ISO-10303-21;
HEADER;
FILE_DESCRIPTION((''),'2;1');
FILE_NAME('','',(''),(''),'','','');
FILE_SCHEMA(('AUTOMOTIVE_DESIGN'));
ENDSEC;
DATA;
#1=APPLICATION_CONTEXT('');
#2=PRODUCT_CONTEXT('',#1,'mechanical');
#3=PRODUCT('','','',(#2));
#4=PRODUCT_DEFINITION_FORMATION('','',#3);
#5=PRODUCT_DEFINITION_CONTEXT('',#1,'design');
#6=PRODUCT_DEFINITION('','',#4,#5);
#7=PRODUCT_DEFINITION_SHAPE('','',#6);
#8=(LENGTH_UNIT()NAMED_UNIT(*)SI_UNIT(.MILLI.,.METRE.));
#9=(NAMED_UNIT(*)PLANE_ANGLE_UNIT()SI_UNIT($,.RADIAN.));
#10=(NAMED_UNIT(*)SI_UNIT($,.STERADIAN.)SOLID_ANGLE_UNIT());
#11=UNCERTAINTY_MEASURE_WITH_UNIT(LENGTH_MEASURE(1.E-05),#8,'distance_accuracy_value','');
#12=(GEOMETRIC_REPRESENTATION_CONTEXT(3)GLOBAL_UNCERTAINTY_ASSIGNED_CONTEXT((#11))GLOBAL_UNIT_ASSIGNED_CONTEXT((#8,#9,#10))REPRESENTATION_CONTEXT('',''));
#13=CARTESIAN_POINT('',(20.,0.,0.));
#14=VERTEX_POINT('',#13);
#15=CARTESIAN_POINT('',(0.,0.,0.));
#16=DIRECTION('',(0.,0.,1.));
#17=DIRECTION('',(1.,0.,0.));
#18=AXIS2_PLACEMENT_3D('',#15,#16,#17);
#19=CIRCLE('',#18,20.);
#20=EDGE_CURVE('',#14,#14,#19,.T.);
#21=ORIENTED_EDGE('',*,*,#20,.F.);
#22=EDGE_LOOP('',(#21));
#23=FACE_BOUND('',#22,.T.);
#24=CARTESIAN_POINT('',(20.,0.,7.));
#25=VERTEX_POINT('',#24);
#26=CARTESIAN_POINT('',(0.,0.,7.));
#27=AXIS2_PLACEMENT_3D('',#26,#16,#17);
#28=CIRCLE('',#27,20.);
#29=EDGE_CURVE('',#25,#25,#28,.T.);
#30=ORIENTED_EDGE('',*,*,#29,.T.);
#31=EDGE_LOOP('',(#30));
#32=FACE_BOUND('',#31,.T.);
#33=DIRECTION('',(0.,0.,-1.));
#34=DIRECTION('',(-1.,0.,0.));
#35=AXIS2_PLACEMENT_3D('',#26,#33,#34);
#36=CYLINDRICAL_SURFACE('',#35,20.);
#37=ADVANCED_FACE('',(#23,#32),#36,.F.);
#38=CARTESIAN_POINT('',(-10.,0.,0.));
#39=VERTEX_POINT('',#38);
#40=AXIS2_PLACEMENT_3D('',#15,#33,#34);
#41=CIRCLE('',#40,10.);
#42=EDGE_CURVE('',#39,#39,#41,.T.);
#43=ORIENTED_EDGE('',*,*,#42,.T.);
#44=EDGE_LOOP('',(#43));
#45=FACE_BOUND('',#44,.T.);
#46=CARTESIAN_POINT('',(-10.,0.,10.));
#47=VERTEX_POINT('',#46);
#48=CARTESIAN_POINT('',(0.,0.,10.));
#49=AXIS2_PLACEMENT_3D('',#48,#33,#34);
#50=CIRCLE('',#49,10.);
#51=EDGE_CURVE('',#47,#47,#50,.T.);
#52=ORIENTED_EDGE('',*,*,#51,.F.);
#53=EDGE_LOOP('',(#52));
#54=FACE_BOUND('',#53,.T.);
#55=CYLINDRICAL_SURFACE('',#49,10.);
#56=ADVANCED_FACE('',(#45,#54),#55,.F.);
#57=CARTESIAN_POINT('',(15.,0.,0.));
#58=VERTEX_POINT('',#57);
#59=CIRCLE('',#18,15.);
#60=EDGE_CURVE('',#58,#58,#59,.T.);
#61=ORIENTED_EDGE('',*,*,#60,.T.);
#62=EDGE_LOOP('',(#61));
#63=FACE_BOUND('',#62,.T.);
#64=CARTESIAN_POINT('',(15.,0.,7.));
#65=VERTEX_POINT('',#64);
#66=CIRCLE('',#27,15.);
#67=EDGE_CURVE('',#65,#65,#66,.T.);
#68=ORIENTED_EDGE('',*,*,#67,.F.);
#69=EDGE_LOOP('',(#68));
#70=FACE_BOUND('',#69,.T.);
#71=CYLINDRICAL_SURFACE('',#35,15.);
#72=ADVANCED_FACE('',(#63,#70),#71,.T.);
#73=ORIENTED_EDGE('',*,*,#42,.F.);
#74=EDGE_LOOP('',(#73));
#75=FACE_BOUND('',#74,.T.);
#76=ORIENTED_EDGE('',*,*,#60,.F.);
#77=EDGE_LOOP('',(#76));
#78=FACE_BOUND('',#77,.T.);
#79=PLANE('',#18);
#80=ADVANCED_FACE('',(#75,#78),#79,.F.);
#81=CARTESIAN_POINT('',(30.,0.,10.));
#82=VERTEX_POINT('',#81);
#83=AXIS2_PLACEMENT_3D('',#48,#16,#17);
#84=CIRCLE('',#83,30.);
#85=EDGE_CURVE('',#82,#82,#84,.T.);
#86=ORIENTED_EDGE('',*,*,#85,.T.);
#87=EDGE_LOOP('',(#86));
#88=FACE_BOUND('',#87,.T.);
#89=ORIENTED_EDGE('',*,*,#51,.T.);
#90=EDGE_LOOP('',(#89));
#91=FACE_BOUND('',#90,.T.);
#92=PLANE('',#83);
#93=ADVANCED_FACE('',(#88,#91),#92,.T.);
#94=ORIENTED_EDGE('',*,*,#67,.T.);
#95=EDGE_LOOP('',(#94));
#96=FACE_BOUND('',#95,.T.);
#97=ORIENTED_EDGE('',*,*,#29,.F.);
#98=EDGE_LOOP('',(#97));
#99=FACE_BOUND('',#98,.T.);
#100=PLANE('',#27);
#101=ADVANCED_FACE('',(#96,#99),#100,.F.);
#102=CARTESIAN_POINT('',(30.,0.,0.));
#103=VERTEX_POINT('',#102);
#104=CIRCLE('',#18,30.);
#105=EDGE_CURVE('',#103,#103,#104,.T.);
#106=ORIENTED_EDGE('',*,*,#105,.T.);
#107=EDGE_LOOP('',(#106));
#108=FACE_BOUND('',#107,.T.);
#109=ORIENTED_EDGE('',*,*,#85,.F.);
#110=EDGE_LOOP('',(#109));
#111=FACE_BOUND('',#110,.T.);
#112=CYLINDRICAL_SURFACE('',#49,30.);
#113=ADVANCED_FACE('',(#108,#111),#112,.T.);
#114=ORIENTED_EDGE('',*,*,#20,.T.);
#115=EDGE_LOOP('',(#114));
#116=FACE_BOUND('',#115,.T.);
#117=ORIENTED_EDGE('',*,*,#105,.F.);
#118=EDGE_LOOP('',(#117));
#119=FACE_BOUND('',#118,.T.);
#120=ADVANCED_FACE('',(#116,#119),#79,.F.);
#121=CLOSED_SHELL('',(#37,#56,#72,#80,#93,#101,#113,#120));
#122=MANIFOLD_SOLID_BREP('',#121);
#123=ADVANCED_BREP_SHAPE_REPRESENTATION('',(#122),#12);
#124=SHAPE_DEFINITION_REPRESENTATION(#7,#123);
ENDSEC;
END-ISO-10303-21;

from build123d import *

# Parameters (mm, degrees)
SKETCH_1_R          = 30
EXTRUDE_1_DEPTH     = 10
SKETCH_2_R          = 20
SKETCH_2_R_2        = 15
CUT_EXTRUDE_1_DEPTH = 7
SKETCH_3_R          = 10
CUT_EXTRUDE_2_DEPTH = 10


with BuildPart() as part:
    # 草图1 → 凸台-拉伸1 (new body)
    with BuildSketch(Plane.XY):
        Circle(SKETCH_1_R)
    extrude(amount=EXTRUDE_1_DEPTH)

    # 草图2 → 切除-拉伸1 (cut)
    with BuildSketch(Plane.XY):
        Circle(SKETCH_2_R)
        Circle(SKETCH_2_R_2, mode=Mode.SUBTRACT)
    extrude(amount=CUT_EXTRUDE_1_DEPTH, mode=Mode.SUBTRACT)

    # 草图3 → 切除-拉伸2 (cut)
    with BuildSketch(Plane(origin=(0, 0, 0), x_dir=(-1, 0, 0), z_dir=(0, 0, -1))):
        Circle(SKETCH_3_R)
    extrude(amount=-CUT_EXTRUDE_2_DEPTH, mode=Mode.SUBTRACT)


solid = part.part
